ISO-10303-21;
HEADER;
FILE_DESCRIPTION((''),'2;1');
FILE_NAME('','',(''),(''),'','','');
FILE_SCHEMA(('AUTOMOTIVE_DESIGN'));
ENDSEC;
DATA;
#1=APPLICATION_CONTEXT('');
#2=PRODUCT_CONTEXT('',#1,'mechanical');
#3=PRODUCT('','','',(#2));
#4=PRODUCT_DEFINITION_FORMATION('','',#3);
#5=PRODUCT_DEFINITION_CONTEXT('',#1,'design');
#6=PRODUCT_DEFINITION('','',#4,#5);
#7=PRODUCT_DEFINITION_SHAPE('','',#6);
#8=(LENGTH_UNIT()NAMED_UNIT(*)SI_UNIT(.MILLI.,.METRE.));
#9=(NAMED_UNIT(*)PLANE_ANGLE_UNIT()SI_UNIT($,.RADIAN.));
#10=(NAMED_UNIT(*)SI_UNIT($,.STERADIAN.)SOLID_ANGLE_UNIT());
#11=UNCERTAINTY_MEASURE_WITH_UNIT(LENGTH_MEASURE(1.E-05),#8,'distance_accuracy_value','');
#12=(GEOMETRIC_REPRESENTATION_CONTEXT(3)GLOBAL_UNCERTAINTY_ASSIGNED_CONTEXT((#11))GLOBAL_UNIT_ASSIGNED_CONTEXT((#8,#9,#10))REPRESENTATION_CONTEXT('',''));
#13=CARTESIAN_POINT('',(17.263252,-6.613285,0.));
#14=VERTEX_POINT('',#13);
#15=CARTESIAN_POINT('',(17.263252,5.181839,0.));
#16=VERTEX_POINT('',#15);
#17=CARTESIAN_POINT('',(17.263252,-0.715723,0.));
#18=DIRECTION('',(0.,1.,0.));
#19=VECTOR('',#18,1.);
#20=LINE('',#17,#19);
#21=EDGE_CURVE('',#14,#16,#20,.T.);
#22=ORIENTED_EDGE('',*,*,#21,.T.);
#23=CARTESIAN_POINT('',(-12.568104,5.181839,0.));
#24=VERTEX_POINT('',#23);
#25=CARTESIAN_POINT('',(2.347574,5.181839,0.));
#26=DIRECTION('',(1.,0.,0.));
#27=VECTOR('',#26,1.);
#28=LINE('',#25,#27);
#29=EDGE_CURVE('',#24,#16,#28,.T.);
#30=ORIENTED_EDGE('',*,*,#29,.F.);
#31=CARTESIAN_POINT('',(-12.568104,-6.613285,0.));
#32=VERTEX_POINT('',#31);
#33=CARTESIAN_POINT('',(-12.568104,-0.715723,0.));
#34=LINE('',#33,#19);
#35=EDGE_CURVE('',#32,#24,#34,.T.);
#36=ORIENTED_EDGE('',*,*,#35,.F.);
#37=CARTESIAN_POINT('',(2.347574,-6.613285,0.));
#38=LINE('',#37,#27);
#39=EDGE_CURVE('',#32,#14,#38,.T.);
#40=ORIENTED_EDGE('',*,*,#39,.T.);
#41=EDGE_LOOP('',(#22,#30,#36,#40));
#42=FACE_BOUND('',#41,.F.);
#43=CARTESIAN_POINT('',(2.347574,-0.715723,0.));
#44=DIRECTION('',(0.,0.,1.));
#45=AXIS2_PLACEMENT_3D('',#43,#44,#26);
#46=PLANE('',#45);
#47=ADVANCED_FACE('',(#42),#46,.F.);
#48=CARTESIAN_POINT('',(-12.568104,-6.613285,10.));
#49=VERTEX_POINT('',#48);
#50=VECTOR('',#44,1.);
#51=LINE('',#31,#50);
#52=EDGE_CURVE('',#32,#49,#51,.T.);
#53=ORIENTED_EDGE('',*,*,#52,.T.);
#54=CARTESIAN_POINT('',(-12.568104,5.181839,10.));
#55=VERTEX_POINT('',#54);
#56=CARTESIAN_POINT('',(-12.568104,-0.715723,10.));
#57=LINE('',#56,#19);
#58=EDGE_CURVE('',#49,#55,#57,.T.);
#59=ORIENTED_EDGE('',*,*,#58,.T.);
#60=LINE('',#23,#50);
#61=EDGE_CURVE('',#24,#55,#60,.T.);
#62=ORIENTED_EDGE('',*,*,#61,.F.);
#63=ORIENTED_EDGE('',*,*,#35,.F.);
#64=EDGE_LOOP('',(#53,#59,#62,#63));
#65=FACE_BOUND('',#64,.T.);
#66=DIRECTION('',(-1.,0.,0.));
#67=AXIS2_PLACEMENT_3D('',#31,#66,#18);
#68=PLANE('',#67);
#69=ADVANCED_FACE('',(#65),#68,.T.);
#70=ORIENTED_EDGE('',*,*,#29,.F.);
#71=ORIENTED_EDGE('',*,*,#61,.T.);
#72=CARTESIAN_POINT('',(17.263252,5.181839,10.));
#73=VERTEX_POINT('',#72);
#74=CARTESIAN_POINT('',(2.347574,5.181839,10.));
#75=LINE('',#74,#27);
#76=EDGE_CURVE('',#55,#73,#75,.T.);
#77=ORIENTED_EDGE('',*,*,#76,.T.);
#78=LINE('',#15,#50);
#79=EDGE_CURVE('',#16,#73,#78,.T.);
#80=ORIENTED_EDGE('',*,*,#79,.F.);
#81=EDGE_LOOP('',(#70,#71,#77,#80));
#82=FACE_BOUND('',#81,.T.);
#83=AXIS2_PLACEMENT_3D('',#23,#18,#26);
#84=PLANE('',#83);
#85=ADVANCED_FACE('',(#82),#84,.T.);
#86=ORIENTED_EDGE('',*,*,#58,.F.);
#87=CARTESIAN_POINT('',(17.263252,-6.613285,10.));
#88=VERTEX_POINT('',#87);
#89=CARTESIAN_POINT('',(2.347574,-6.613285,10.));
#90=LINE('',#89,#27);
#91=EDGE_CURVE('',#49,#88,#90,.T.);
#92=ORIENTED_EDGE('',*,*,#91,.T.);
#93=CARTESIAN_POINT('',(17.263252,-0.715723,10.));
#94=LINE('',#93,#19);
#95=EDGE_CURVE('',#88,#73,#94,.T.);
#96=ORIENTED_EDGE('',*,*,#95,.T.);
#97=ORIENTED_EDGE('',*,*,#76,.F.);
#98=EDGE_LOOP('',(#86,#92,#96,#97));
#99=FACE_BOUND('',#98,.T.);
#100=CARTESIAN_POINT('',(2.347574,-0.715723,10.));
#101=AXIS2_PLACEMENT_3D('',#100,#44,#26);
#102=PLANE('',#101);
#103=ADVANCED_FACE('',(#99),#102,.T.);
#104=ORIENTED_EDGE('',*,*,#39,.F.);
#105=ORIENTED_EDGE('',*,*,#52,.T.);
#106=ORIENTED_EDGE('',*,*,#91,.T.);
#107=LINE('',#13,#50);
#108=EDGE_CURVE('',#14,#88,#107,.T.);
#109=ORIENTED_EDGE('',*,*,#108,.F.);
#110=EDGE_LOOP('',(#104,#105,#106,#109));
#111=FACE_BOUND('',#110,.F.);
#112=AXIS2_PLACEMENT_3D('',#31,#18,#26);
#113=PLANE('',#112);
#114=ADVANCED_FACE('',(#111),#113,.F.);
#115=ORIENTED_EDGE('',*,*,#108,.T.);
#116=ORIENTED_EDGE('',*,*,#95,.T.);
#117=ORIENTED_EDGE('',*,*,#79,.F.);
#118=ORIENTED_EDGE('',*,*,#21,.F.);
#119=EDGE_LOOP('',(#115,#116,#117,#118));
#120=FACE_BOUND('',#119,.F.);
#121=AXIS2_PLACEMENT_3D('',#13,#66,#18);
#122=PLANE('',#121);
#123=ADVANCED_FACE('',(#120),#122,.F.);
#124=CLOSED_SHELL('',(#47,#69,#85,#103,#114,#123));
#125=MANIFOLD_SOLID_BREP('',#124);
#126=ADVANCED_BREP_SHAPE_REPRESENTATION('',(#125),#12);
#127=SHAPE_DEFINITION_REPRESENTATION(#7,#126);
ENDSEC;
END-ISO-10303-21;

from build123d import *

# Parameters (mm, degrees)
SKETCH_W  = 29.831356
SKETCH_H  = 11.795124
PAD_DEPTH = 10


with BuildPart() as part:
    # Sketch → Pad (new body)
    with BuildSketch(Plane.XY):
        with Locations((2.347574, -0.715723)):
            Rectangle(SKETCH_W, SKETCH_H)
    extrude(amount=PAD_DEPTH)


solid = part.part
